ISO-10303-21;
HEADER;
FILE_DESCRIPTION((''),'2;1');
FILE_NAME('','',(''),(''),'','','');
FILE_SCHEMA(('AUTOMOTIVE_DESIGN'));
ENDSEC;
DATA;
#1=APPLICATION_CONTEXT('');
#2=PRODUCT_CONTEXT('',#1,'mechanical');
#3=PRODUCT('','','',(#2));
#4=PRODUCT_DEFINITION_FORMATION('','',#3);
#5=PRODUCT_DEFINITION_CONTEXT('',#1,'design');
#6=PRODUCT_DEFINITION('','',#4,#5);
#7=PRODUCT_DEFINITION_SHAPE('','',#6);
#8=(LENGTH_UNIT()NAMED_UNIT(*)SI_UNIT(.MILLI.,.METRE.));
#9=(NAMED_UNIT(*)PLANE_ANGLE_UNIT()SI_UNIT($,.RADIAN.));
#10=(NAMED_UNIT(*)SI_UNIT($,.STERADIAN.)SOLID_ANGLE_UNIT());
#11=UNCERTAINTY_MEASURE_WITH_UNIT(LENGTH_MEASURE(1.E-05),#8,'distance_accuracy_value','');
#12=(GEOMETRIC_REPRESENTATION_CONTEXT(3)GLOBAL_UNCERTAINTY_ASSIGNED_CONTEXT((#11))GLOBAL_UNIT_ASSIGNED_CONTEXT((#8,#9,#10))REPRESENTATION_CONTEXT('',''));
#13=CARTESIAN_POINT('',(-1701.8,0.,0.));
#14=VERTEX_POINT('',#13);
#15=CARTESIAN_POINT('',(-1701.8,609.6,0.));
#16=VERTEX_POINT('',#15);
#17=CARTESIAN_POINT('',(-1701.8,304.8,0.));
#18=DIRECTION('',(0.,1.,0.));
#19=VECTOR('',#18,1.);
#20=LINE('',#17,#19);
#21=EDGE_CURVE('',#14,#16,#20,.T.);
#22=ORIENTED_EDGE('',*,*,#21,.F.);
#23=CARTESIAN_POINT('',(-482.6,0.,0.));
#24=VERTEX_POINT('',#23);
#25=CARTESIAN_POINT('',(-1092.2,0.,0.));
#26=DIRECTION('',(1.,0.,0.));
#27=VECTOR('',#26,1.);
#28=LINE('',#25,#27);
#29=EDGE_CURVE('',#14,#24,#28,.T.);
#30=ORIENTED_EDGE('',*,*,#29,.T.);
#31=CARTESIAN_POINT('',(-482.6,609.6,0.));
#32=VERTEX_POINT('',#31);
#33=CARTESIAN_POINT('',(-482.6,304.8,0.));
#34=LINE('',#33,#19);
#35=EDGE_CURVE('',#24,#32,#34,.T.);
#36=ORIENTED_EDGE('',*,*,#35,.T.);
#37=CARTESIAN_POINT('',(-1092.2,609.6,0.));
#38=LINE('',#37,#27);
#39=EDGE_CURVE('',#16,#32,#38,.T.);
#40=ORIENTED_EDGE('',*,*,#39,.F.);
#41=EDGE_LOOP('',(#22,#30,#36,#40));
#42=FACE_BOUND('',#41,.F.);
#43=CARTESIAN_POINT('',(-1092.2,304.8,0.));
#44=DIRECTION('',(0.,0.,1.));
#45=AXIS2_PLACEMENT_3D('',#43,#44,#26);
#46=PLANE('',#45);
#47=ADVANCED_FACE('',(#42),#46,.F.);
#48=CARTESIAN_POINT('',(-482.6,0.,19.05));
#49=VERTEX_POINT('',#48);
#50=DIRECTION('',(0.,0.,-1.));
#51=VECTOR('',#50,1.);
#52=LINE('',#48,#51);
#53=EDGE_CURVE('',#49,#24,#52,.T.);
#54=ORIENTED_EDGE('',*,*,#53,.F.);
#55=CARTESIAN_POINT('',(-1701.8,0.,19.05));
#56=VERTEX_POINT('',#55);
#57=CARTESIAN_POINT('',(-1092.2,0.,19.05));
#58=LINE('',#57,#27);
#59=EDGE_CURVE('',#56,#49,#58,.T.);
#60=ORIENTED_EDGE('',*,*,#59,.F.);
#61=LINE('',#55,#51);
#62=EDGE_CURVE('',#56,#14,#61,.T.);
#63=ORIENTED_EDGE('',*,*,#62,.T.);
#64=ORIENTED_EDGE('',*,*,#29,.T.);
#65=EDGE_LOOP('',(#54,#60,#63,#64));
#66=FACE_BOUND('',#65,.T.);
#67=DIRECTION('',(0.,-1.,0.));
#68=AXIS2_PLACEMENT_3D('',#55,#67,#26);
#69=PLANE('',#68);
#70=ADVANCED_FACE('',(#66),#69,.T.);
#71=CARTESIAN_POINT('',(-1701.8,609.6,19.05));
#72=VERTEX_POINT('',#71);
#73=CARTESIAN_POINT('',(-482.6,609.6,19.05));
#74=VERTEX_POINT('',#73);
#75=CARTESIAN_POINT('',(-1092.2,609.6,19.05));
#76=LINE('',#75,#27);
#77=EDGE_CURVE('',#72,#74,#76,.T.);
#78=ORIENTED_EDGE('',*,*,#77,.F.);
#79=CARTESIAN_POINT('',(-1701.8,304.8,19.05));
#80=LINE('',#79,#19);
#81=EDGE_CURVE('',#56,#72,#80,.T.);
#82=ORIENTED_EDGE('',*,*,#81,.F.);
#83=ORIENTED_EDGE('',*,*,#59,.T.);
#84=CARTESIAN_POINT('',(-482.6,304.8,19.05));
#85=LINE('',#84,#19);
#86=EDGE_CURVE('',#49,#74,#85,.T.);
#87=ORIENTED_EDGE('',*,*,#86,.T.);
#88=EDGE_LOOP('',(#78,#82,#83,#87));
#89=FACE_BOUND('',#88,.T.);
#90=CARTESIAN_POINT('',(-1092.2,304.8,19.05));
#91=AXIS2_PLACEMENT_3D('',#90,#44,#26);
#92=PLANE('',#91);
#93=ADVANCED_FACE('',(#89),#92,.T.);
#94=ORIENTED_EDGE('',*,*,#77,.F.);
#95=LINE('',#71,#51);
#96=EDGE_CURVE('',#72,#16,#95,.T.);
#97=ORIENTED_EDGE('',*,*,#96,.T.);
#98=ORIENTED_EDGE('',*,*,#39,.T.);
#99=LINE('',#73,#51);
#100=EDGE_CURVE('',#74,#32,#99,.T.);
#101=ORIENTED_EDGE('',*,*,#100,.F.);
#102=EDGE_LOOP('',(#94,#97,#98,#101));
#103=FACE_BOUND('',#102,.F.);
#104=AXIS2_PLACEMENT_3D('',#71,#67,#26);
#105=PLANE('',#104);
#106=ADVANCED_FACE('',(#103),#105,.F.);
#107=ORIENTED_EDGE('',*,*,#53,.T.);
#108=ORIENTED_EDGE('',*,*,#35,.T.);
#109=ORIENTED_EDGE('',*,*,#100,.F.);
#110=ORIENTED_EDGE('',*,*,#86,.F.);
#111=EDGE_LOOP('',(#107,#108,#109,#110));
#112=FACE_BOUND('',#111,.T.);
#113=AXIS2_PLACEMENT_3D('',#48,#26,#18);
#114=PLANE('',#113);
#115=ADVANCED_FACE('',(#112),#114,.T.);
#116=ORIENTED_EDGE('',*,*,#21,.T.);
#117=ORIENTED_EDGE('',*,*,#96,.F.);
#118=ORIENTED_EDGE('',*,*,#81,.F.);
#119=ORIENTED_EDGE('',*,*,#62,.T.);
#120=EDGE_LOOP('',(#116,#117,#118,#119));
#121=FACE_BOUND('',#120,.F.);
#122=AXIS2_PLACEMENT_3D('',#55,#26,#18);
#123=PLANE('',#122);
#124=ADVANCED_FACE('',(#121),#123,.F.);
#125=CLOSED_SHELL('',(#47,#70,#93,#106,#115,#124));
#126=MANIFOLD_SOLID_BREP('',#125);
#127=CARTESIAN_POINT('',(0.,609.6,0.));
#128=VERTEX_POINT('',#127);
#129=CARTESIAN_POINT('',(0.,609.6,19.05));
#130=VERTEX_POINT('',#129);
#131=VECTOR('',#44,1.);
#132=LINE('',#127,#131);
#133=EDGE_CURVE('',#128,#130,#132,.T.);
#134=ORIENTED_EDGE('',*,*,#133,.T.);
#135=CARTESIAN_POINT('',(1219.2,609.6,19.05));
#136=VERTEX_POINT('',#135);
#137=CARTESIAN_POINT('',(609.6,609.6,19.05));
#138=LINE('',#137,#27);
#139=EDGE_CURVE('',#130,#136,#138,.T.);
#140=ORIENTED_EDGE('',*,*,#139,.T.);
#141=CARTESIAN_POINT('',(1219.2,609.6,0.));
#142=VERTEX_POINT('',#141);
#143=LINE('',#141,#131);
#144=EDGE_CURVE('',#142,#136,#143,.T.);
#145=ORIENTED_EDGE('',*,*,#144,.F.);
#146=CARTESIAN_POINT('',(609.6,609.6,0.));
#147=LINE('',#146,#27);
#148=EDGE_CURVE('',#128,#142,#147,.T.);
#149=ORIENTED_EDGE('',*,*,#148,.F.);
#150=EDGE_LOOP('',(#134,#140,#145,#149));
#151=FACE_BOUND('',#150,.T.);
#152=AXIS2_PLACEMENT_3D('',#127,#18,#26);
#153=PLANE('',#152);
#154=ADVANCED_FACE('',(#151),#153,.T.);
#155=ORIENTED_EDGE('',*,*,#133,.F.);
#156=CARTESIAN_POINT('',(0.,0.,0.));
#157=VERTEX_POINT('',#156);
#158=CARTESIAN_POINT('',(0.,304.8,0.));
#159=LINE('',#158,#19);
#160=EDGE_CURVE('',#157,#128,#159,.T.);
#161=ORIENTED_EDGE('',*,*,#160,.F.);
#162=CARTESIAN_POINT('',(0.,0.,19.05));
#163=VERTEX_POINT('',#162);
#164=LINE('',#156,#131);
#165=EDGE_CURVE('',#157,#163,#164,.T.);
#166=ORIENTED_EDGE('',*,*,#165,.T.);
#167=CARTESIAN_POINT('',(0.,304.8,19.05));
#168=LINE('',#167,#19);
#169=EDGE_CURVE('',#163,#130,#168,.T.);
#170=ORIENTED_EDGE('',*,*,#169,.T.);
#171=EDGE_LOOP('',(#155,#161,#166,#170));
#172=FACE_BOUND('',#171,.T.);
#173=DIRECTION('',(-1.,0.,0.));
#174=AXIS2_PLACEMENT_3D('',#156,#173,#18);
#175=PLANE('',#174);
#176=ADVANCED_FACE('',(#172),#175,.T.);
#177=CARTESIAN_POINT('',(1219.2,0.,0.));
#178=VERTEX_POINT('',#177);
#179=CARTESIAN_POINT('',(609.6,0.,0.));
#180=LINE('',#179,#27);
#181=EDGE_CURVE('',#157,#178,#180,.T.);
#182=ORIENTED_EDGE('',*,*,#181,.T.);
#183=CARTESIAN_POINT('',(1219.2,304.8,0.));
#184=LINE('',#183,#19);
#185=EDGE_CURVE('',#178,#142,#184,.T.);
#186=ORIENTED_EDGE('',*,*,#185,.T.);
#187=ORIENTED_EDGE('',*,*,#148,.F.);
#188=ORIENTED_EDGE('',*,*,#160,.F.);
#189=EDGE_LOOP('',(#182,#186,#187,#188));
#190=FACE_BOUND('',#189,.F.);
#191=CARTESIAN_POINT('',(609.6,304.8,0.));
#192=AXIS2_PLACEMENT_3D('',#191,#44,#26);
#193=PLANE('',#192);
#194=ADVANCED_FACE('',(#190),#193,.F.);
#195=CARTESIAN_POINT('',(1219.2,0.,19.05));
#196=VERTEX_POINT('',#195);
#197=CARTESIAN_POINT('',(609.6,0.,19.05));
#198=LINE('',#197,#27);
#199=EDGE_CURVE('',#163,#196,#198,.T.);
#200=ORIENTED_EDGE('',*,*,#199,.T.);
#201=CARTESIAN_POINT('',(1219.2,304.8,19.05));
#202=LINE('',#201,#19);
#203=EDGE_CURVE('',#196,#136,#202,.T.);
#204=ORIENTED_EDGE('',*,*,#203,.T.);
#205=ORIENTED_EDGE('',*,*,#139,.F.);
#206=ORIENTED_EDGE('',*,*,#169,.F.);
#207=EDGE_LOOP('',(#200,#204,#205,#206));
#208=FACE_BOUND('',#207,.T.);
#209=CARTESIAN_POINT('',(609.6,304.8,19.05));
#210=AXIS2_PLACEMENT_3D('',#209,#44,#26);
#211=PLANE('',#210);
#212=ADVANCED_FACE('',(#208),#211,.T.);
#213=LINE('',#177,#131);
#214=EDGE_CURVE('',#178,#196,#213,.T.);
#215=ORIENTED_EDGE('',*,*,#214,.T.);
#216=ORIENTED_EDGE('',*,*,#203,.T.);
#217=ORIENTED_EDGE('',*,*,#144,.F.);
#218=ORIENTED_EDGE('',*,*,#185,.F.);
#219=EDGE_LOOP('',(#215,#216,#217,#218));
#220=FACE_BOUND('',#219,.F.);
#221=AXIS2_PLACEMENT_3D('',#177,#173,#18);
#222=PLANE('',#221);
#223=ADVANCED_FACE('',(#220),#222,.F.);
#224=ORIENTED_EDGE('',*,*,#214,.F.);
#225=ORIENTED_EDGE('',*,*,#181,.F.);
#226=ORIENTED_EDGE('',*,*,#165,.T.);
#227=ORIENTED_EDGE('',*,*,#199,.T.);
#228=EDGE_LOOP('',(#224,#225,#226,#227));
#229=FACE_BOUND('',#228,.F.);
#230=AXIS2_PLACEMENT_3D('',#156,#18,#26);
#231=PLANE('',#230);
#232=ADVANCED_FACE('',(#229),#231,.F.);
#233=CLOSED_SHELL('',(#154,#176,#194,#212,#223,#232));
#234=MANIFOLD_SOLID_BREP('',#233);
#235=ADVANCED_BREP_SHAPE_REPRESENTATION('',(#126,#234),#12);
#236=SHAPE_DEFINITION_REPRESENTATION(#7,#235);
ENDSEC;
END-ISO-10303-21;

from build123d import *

# Parameters (mm, degrees)
F0_W     = 1219.2
F0_H     = 609.6
F1_DEPTH = 19.05
F2_W     = 1219.2
F2_H     = 609.6
F3_DEPTH = 19.05


with BuildPart() as f1:
    # F0 (on Top) → F1 (new body)
    with BuildSketch(Plane.XY):
        with Locations((609.6, 304.8)):
            Rectangle(F0_W, F0_H)
    extrude(amount=F1_DEPTH)


with BuildPart() as f3:
    # F2 (on face) → F3 (new body)
    with BuildSketch(Plane.XY.offset(19.05)):
        with Locations((-1092.2, 304.8)):
            Rectangle(F2_W, F2_H)
    extrude(amount=-F3_DEPTH)


solid = Compound([f1.part, f3.part])
